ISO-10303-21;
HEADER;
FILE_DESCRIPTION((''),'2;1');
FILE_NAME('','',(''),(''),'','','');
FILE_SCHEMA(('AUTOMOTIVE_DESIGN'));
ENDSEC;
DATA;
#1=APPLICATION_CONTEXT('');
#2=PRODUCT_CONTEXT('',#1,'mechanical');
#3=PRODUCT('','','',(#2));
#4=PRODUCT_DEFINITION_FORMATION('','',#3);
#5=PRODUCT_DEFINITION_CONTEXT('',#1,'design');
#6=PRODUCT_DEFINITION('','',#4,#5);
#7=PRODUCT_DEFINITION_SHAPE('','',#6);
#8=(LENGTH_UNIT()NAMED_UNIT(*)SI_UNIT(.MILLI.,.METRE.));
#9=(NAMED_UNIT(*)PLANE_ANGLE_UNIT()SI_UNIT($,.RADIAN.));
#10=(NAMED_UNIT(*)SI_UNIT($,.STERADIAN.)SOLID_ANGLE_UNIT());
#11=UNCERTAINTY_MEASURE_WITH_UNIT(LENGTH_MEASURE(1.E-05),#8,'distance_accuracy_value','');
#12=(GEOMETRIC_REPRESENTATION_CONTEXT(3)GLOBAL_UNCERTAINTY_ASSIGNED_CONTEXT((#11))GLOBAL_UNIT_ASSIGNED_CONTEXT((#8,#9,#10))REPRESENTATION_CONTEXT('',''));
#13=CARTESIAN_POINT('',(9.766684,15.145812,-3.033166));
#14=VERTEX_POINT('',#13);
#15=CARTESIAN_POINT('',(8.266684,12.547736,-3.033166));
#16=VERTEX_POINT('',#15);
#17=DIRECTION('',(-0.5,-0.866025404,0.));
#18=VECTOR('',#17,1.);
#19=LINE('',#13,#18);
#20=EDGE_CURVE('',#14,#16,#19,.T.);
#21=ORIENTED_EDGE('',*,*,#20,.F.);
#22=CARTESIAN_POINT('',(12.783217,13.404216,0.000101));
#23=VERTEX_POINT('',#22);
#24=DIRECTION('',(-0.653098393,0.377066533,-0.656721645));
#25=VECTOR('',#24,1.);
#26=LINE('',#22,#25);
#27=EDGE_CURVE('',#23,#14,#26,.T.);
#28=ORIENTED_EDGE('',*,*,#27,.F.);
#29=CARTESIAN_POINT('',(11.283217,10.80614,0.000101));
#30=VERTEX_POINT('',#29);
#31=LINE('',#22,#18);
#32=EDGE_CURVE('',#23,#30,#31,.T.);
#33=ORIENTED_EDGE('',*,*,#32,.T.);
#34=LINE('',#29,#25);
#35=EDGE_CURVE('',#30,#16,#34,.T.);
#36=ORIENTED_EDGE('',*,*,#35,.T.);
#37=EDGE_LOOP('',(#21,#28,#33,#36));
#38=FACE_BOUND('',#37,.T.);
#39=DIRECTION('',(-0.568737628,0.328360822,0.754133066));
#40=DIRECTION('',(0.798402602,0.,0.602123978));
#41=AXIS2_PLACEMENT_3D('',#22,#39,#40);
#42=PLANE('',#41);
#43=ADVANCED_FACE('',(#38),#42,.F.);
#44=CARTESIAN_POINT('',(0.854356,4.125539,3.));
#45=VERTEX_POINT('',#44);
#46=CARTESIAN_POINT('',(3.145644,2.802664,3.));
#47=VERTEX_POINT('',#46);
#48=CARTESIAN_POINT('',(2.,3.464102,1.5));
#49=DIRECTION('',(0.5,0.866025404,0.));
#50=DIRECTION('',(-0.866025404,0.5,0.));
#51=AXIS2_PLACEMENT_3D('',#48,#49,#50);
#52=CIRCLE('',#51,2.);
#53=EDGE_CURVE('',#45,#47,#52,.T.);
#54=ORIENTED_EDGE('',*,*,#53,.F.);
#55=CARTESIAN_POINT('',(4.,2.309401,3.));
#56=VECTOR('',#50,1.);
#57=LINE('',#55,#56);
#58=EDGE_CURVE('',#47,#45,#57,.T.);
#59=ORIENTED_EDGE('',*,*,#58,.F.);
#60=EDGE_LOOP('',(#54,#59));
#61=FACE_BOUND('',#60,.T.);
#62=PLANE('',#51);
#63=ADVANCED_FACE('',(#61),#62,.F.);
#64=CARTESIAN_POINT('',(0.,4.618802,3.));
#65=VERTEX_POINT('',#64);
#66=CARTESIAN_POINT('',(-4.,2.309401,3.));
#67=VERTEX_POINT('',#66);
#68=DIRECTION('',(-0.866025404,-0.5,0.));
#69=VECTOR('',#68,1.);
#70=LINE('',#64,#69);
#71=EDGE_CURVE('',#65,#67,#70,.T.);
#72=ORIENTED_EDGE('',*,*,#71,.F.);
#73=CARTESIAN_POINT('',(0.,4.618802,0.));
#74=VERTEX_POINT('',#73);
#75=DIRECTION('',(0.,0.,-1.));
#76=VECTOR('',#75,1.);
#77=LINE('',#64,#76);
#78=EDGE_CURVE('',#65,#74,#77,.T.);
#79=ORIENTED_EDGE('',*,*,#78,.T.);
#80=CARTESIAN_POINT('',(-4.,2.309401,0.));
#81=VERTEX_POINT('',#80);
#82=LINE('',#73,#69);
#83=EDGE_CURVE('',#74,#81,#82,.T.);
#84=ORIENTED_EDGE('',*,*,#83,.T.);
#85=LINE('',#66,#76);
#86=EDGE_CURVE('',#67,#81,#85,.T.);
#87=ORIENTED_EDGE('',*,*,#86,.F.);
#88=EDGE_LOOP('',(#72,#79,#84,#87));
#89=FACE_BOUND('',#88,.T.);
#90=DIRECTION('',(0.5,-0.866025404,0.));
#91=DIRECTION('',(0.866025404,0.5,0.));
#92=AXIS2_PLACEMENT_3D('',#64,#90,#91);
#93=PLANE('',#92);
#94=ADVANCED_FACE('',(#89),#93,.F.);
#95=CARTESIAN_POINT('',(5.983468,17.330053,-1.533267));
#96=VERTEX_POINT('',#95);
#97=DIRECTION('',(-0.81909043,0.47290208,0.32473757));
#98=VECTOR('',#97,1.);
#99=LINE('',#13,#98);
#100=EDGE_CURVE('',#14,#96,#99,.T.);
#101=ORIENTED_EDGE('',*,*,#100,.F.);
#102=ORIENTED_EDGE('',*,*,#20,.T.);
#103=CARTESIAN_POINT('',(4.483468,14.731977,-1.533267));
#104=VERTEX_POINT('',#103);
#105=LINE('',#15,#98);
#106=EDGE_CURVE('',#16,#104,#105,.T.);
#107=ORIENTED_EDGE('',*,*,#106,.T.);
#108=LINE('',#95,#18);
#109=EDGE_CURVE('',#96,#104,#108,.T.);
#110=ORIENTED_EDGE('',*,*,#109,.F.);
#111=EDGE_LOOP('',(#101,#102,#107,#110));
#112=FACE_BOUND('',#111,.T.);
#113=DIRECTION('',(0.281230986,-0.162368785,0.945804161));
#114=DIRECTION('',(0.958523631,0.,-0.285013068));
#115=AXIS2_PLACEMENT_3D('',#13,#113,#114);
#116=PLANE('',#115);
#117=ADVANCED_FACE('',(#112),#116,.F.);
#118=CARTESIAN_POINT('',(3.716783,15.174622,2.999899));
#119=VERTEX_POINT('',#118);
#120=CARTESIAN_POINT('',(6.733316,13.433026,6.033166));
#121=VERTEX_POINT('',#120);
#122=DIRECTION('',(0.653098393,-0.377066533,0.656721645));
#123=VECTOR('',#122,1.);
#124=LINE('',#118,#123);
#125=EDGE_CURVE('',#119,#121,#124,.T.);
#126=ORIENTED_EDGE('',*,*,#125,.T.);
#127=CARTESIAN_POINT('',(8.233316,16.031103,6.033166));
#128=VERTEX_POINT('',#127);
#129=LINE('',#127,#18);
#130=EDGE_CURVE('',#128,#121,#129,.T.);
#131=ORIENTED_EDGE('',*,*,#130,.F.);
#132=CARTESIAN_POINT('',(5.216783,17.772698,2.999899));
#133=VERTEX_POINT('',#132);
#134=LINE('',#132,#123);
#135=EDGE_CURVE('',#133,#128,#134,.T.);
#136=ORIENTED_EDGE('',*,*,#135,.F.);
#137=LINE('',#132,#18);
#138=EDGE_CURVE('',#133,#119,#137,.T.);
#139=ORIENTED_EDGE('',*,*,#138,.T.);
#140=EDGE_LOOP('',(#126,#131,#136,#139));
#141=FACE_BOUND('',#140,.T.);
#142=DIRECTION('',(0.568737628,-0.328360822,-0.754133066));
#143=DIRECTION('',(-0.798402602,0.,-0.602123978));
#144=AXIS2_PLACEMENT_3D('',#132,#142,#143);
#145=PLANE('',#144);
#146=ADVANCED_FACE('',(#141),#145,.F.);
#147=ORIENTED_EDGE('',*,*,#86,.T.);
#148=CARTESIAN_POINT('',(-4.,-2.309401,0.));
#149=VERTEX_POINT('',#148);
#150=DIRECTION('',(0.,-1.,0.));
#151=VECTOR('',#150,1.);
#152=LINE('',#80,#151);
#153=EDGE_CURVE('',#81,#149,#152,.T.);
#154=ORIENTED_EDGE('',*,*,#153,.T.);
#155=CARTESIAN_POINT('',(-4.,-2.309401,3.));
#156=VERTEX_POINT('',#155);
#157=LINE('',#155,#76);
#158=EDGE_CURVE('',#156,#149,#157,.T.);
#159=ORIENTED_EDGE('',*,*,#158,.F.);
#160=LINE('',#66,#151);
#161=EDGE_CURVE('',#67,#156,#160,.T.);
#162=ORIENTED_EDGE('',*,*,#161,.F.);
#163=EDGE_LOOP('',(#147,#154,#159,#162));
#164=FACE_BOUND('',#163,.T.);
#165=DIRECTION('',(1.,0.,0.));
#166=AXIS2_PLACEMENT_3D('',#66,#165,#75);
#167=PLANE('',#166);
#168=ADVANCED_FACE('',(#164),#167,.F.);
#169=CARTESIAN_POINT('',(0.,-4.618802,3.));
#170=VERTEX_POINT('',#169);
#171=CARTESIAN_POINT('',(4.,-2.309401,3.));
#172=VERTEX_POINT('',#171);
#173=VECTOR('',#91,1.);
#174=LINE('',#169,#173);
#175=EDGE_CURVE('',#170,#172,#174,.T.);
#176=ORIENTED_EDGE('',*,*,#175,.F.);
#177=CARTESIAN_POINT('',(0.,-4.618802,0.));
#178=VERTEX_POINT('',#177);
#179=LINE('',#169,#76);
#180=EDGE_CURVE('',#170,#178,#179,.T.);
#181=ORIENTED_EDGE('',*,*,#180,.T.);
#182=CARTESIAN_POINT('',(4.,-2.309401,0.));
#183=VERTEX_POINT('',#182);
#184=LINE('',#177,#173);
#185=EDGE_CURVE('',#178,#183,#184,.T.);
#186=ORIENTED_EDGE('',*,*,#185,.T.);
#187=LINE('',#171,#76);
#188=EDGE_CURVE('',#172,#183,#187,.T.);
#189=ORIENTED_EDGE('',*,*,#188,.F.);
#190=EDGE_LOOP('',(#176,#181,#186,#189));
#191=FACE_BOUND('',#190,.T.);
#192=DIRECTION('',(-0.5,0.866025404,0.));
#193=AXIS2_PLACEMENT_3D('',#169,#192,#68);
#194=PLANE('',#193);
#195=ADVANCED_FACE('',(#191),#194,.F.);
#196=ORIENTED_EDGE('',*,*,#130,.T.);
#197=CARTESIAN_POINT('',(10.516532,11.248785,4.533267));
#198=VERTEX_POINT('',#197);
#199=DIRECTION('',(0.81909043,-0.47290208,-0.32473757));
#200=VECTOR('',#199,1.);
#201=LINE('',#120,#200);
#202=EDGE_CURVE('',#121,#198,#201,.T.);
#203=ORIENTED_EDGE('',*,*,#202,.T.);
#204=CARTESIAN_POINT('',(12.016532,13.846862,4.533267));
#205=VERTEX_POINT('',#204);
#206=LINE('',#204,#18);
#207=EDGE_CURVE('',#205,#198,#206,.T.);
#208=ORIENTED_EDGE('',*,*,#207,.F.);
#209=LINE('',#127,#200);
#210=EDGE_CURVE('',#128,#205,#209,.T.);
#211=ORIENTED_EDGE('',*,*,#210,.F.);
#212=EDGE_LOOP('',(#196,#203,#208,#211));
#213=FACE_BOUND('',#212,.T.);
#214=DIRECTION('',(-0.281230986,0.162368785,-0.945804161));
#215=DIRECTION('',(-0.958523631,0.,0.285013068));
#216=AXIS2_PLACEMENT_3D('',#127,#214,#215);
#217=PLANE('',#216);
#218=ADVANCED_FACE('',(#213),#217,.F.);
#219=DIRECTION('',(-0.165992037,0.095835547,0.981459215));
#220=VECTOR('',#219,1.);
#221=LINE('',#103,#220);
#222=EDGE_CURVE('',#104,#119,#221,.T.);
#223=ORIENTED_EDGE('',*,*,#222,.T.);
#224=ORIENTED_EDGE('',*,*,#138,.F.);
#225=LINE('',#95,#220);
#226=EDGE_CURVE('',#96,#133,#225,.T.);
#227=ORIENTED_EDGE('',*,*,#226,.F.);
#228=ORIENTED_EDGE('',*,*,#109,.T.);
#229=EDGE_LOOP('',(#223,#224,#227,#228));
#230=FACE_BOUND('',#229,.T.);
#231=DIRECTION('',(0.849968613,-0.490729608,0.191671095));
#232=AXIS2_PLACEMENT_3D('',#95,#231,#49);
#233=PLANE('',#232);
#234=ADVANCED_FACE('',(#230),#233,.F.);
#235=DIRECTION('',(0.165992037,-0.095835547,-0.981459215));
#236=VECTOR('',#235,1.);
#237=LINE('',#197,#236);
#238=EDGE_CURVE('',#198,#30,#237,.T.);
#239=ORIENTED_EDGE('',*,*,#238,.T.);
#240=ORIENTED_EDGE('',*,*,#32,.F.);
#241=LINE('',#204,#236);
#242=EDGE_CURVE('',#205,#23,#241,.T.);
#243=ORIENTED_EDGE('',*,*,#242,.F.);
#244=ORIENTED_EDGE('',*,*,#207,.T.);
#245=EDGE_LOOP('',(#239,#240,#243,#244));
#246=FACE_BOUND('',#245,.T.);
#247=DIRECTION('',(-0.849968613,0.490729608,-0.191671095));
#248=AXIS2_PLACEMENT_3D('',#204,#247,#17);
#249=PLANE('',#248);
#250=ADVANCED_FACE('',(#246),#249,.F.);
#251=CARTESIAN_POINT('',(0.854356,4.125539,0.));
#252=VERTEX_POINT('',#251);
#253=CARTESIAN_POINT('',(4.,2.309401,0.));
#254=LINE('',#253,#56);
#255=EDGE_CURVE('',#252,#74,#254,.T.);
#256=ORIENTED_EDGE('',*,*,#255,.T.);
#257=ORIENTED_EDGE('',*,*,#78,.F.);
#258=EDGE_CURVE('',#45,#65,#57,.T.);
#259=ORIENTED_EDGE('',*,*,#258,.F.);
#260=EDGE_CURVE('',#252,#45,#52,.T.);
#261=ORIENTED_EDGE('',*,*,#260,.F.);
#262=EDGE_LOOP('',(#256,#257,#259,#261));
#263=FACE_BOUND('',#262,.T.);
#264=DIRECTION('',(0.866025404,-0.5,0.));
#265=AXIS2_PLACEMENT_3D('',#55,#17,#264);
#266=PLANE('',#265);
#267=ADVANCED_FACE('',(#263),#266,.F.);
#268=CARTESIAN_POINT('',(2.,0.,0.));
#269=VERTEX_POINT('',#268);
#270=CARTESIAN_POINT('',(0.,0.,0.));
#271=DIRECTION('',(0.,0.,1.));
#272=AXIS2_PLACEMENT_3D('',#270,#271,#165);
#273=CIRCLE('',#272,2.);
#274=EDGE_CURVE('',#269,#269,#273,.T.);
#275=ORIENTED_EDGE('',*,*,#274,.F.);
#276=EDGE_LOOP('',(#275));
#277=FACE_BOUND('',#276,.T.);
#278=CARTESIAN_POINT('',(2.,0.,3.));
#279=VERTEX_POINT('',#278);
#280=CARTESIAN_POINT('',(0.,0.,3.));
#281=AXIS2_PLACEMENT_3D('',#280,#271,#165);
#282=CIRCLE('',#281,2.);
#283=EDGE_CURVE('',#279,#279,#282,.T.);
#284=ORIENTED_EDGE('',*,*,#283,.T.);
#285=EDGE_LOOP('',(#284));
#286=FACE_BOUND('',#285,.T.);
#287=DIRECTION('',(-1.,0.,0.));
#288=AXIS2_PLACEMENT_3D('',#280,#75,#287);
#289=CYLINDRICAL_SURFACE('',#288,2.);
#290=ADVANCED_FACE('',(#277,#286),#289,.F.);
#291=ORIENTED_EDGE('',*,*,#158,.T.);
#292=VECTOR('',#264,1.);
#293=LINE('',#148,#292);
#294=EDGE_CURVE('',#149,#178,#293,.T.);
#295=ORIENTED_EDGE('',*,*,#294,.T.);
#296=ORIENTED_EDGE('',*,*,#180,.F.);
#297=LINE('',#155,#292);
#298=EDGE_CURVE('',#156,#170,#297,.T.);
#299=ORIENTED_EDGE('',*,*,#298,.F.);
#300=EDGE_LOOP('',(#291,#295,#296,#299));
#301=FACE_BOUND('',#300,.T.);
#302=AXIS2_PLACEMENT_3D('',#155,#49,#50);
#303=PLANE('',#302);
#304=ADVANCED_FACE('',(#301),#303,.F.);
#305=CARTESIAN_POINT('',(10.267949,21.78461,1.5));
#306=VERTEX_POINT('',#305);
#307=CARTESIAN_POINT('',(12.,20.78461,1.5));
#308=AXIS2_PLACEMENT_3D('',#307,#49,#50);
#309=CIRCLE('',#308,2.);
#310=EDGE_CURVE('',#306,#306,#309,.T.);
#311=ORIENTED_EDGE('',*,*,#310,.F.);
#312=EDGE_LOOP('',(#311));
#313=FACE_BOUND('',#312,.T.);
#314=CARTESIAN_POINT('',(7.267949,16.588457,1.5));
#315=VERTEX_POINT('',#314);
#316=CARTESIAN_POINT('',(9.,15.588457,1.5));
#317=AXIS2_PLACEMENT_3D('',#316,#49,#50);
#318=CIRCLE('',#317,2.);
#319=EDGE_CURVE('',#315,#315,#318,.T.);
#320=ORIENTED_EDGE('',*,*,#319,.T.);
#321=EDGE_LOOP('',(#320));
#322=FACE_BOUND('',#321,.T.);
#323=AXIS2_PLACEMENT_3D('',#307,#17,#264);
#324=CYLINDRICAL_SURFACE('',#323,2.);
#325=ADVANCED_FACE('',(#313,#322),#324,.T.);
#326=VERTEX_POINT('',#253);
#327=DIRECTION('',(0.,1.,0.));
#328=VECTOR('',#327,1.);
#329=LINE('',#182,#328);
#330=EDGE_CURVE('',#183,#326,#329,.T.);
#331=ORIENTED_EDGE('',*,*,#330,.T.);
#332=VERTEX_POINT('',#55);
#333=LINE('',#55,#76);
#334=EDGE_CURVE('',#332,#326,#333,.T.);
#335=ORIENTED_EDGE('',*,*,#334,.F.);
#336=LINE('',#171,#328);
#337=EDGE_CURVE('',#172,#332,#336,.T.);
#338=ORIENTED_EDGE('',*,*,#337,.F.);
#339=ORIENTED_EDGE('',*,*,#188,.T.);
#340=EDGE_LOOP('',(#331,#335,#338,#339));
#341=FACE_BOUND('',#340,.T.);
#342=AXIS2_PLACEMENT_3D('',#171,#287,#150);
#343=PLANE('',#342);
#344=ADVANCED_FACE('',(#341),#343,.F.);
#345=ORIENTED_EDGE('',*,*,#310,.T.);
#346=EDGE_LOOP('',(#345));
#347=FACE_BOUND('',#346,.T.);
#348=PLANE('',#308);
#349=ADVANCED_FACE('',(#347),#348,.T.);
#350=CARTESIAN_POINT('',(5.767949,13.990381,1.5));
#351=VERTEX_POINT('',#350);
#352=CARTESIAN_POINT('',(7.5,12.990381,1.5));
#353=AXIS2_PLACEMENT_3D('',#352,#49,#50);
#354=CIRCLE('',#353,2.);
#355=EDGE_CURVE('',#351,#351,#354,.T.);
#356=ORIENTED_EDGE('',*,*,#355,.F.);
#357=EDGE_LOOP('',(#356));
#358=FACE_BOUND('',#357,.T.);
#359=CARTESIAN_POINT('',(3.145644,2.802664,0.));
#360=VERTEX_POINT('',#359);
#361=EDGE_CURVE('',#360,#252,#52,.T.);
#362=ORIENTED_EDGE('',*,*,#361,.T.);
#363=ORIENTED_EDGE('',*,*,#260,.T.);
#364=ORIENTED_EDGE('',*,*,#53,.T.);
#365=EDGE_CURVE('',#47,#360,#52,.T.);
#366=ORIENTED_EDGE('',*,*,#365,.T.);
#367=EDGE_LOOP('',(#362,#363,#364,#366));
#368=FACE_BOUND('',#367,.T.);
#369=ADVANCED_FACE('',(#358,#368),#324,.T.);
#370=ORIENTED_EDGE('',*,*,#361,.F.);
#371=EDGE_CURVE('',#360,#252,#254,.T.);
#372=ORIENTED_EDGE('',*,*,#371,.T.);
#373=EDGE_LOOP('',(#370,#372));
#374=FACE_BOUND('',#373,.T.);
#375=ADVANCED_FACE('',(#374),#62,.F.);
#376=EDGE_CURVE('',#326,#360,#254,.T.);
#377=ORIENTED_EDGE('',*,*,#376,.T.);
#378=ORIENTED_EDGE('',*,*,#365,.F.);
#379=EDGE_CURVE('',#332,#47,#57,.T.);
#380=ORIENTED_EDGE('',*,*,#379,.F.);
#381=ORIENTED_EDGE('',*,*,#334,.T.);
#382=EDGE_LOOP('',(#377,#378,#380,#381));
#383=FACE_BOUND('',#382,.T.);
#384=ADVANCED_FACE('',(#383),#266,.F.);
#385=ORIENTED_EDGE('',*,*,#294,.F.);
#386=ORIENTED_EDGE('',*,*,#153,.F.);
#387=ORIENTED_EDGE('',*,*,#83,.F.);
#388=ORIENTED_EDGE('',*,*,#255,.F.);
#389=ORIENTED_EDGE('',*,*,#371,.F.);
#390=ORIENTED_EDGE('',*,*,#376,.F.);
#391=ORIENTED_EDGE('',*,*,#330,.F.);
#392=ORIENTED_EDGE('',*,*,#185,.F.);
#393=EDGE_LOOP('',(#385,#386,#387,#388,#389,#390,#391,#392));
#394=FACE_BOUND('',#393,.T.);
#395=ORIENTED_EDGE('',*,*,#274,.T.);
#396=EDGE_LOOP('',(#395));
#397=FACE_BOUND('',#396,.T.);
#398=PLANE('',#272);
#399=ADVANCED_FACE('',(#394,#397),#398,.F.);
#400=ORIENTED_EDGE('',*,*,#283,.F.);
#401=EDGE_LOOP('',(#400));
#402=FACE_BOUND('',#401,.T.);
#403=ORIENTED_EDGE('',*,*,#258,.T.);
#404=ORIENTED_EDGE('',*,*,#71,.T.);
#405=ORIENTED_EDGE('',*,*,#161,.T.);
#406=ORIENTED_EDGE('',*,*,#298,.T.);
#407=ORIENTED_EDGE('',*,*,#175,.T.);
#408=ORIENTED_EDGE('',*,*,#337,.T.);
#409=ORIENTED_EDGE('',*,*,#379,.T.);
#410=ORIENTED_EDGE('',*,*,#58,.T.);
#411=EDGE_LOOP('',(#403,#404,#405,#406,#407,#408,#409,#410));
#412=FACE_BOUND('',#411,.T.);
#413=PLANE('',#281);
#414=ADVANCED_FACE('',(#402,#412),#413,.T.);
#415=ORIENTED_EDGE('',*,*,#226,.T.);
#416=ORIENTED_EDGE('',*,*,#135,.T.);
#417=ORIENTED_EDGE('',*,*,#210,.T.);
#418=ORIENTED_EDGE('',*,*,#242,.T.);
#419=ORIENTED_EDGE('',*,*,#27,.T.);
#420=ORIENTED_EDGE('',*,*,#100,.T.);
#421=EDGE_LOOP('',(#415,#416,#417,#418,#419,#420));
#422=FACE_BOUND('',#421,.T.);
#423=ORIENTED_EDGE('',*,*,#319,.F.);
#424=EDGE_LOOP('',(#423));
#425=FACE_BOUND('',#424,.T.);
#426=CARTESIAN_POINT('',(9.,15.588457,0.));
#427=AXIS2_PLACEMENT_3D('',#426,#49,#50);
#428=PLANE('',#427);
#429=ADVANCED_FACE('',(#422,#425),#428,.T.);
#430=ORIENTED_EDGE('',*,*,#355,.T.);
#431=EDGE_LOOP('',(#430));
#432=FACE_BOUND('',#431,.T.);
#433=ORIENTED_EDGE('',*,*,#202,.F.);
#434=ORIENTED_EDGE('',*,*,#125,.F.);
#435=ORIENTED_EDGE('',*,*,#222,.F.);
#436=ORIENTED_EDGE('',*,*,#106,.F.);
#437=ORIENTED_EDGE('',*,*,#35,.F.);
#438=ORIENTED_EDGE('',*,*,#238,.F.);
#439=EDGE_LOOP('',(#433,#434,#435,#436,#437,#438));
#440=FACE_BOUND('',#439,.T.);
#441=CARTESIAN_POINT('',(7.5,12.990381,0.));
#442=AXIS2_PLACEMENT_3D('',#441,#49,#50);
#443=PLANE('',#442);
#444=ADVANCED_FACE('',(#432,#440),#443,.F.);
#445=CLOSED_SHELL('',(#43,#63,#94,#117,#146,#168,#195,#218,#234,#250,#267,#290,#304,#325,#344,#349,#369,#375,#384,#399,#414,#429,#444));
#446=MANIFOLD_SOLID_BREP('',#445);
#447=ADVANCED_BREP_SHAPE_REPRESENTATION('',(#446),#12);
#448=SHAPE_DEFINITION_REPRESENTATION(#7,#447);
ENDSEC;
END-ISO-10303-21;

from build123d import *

# Parameters (mm, degrees)
SKETCH2_R           = 2
BOSS_EXTRUDE2_DEPTH = 3
SKETCH3_R           = 2
BOSS_EXTRUDE3_DEPTH = 20
BOSS_EXTRUDE4_DEPTH = 3


with BuildPart() as part:
    # Sketch2 → Boss-Extrude2 (new body)
    with BuildSketch(Plane.XY):
        Polygon((0, 4.618802154), (-4, 2.309401077), (-4, -2.309401077), (0, -4.618802154), (4, -2.309401077), (4, 2.309401077), align=None)
        Circle(SKETCH2_R, mode=Mode.SUBTRACT)
    extrude(amount=BOSS_EXTRUDE2_DEPTH)

    # Sketch3 → Boss-Extrude3 (add)
    with BuildSketch(Plane(origin=(2, 3.464101615, 0), x_dir=(0.8660254037844386, -0.4999999999999999, 0), z_dir=(0.49999999999999994, 0.8660254037844387, 0))):
        with Locations(Location((0, -1.5, 0), (0, 0, 48.590377891))):
            Circle(SKETCH3_R)
    extrude(amount=BOSS_EXTRUDE3_DEPTH)

    # Sketch4 → Boss-Extrude4 (add)
    with BuildSketch(Plane(origin=(7.5, 12.990381057, 0), x_dir=(0.8660254037844386, -0.4999999999999999, 0), z_dir=(0.49999999999999994, 0.8660254037844387, 0))):
        Polygon((0.885290866, 3.033165937), (-3.483191429, 1.533267348), (-4.368482294, -2.999898589), (-0.885290866, -6.033165937), (3.483191429, -4.533267348), (4.368482294, -0.000101411), align=None)
    extrude(amount=BOSS_EXTRUDE4_DEPTH)


solid = part.part
